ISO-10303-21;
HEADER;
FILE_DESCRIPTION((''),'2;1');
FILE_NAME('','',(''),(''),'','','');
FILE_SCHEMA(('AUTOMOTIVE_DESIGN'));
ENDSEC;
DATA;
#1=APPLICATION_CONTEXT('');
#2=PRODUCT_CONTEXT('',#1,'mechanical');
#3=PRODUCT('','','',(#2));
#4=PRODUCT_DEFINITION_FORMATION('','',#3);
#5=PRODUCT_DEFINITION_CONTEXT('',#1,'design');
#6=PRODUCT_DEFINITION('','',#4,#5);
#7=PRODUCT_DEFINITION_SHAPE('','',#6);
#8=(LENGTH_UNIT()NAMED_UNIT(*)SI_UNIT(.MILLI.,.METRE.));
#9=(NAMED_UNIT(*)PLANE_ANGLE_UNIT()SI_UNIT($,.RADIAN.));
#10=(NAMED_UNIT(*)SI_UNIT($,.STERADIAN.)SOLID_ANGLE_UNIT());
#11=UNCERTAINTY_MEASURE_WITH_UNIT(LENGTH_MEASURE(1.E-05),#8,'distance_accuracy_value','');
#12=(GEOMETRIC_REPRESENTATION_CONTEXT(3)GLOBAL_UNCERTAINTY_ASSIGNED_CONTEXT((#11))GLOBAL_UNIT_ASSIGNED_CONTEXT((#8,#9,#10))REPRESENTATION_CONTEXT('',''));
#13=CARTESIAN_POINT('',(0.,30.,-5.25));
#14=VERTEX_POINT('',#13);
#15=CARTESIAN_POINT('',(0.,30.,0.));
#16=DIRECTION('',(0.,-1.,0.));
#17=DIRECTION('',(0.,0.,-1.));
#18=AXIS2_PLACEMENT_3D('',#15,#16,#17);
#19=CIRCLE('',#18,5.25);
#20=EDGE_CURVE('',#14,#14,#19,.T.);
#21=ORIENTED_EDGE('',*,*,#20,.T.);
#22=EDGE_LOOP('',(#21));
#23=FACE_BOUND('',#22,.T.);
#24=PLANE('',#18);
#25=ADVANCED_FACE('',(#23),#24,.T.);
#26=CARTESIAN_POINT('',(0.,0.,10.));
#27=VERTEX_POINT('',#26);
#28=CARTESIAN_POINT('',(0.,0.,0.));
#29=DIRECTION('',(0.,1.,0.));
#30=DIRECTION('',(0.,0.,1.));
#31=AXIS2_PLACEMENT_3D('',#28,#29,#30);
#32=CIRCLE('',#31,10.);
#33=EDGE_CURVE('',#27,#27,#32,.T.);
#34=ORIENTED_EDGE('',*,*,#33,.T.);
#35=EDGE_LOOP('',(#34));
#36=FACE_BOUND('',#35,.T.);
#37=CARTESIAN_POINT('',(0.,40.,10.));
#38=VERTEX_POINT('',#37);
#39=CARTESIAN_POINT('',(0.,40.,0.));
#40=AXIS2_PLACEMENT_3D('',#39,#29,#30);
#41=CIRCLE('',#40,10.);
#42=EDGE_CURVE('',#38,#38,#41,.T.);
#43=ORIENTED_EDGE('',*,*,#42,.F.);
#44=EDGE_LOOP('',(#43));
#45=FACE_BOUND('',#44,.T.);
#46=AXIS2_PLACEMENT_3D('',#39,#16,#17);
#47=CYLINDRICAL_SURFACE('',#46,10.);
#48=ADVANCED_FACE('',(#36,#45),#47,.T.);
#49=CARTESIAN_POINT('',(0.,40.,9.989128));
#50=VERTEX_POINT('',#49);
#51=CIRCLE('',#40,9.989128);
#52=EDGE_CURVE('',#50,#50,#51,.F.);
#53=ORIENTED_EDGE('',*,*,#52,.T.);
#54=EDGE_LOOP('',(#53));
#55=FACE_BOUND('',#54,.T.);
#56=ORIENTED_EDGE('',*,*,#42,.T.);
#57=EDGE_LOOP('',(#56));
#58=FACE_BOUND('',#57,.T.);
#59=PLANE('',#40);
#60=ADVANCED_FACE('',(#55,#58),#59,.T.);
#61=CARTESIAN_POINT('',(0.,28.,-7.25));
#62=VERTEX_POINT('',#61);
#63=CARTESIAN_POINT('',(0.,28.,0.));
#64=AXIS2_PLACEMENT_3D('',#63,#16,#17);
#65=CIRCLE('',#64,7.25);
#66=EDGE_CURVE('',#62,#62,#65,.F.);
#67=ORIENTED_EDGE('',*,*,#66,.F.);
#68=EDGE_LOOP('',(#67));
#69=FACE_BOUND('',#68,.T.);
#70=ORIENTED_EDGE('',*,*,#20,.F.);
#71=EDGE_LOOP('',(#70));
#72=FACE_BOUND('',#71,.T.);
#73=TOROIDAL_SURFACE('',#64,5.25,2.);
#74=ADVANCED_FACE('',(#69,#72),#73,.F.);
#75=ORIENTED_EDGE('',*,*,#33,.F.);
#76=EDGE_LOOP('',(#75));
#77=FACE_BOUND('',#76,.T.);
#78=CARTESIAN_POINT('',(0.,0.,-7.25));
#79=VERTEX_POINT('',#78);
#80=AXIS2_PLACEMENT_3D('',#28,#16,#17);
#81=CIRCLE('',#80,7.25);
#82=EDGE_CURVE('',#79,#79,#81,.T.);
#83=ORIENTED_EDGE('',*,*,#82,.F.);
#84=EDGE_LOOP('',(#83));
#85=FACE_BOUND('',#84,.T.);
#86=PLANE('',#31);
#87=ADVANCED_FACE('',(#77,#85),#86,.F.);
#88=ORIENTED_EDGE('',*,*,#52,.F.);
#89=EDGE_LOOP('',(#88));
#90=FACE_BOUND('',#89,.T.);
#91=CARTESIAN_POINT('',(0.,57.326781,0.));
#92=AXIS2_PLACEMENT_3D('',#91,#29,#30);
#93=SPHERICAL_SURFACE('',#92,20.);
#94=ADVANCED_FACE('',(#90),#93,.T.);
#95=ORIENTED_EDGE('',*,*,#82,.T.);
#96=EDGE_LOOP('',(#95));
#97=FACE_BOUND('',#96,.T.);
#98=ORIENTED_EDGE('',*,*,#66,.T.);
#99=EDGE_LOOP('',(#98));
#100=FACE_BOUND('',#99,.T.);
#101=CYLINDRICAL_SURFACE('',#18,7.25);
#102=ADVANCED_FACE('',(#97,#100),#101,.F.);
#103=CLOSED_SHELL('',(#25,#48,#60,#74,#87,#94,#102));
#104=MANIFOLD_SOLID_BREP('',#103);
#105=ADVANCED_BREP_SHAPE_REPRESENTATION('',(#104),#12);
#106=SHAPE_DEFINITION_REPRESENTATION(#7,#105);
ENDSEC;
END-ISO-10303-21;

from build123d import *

# Parameters (mm, degrees)
ESQUISSE2_R             = 10
BOSS_EXTRU_2_DEPTH      = 40
ESQUISSE3_R             = 7.25
ENL_V_MAT_EXTRU_1_DEPTH = 30
CONG_2_R                = 2


with BuildPart() as part:
    # Esquisse2 → Boss.-Extru.2 (new body)
    with BuildSketch(Plane(origin=(0, 0, 0), x_dir=(1, 0, 0), z_dir=(0, 1, 0))):
        Circle(ESQUISSE2_R)
    extrude(amount=BOSS_EXTRU_2_DEPTH)

    # Esquisse3 → Enlèv. mat.-Extru.1 (cut)
    with BuildSketch(Plane.XZ):
        Circle(ESQUISSE3_R)
    extrude(amount=-ENL_V_MAT_EXTRU_1_DEPTH, mode=Mode.SUBTRACT)

    # Congé2
    cong_2_edges = [part.edges().sort_by_distance(p)[0] for p in [
        (-7.25, 30, 0),
    ]]
    fillet(cong_2_edges, radius=CONG_2_R)

    # Esquisse9 → Révolution7 (revolve)
    with BuildSketch(Plane(origin=(0, 0, 0), x_dir=(0, 0, -1), z_dir=(1, 0, 0))):
        with BuildLine():
            Line((20, 57.326780647), (-20, 57.326780647))
            ThreePointArc((-20, 57.326780647), (0, 37.326780647), (20, 57.326780647))
        make_face()
    revolve(axis=Axis((0, 57.326780647, -20), (0, 0, 1)))


solid = part.part
